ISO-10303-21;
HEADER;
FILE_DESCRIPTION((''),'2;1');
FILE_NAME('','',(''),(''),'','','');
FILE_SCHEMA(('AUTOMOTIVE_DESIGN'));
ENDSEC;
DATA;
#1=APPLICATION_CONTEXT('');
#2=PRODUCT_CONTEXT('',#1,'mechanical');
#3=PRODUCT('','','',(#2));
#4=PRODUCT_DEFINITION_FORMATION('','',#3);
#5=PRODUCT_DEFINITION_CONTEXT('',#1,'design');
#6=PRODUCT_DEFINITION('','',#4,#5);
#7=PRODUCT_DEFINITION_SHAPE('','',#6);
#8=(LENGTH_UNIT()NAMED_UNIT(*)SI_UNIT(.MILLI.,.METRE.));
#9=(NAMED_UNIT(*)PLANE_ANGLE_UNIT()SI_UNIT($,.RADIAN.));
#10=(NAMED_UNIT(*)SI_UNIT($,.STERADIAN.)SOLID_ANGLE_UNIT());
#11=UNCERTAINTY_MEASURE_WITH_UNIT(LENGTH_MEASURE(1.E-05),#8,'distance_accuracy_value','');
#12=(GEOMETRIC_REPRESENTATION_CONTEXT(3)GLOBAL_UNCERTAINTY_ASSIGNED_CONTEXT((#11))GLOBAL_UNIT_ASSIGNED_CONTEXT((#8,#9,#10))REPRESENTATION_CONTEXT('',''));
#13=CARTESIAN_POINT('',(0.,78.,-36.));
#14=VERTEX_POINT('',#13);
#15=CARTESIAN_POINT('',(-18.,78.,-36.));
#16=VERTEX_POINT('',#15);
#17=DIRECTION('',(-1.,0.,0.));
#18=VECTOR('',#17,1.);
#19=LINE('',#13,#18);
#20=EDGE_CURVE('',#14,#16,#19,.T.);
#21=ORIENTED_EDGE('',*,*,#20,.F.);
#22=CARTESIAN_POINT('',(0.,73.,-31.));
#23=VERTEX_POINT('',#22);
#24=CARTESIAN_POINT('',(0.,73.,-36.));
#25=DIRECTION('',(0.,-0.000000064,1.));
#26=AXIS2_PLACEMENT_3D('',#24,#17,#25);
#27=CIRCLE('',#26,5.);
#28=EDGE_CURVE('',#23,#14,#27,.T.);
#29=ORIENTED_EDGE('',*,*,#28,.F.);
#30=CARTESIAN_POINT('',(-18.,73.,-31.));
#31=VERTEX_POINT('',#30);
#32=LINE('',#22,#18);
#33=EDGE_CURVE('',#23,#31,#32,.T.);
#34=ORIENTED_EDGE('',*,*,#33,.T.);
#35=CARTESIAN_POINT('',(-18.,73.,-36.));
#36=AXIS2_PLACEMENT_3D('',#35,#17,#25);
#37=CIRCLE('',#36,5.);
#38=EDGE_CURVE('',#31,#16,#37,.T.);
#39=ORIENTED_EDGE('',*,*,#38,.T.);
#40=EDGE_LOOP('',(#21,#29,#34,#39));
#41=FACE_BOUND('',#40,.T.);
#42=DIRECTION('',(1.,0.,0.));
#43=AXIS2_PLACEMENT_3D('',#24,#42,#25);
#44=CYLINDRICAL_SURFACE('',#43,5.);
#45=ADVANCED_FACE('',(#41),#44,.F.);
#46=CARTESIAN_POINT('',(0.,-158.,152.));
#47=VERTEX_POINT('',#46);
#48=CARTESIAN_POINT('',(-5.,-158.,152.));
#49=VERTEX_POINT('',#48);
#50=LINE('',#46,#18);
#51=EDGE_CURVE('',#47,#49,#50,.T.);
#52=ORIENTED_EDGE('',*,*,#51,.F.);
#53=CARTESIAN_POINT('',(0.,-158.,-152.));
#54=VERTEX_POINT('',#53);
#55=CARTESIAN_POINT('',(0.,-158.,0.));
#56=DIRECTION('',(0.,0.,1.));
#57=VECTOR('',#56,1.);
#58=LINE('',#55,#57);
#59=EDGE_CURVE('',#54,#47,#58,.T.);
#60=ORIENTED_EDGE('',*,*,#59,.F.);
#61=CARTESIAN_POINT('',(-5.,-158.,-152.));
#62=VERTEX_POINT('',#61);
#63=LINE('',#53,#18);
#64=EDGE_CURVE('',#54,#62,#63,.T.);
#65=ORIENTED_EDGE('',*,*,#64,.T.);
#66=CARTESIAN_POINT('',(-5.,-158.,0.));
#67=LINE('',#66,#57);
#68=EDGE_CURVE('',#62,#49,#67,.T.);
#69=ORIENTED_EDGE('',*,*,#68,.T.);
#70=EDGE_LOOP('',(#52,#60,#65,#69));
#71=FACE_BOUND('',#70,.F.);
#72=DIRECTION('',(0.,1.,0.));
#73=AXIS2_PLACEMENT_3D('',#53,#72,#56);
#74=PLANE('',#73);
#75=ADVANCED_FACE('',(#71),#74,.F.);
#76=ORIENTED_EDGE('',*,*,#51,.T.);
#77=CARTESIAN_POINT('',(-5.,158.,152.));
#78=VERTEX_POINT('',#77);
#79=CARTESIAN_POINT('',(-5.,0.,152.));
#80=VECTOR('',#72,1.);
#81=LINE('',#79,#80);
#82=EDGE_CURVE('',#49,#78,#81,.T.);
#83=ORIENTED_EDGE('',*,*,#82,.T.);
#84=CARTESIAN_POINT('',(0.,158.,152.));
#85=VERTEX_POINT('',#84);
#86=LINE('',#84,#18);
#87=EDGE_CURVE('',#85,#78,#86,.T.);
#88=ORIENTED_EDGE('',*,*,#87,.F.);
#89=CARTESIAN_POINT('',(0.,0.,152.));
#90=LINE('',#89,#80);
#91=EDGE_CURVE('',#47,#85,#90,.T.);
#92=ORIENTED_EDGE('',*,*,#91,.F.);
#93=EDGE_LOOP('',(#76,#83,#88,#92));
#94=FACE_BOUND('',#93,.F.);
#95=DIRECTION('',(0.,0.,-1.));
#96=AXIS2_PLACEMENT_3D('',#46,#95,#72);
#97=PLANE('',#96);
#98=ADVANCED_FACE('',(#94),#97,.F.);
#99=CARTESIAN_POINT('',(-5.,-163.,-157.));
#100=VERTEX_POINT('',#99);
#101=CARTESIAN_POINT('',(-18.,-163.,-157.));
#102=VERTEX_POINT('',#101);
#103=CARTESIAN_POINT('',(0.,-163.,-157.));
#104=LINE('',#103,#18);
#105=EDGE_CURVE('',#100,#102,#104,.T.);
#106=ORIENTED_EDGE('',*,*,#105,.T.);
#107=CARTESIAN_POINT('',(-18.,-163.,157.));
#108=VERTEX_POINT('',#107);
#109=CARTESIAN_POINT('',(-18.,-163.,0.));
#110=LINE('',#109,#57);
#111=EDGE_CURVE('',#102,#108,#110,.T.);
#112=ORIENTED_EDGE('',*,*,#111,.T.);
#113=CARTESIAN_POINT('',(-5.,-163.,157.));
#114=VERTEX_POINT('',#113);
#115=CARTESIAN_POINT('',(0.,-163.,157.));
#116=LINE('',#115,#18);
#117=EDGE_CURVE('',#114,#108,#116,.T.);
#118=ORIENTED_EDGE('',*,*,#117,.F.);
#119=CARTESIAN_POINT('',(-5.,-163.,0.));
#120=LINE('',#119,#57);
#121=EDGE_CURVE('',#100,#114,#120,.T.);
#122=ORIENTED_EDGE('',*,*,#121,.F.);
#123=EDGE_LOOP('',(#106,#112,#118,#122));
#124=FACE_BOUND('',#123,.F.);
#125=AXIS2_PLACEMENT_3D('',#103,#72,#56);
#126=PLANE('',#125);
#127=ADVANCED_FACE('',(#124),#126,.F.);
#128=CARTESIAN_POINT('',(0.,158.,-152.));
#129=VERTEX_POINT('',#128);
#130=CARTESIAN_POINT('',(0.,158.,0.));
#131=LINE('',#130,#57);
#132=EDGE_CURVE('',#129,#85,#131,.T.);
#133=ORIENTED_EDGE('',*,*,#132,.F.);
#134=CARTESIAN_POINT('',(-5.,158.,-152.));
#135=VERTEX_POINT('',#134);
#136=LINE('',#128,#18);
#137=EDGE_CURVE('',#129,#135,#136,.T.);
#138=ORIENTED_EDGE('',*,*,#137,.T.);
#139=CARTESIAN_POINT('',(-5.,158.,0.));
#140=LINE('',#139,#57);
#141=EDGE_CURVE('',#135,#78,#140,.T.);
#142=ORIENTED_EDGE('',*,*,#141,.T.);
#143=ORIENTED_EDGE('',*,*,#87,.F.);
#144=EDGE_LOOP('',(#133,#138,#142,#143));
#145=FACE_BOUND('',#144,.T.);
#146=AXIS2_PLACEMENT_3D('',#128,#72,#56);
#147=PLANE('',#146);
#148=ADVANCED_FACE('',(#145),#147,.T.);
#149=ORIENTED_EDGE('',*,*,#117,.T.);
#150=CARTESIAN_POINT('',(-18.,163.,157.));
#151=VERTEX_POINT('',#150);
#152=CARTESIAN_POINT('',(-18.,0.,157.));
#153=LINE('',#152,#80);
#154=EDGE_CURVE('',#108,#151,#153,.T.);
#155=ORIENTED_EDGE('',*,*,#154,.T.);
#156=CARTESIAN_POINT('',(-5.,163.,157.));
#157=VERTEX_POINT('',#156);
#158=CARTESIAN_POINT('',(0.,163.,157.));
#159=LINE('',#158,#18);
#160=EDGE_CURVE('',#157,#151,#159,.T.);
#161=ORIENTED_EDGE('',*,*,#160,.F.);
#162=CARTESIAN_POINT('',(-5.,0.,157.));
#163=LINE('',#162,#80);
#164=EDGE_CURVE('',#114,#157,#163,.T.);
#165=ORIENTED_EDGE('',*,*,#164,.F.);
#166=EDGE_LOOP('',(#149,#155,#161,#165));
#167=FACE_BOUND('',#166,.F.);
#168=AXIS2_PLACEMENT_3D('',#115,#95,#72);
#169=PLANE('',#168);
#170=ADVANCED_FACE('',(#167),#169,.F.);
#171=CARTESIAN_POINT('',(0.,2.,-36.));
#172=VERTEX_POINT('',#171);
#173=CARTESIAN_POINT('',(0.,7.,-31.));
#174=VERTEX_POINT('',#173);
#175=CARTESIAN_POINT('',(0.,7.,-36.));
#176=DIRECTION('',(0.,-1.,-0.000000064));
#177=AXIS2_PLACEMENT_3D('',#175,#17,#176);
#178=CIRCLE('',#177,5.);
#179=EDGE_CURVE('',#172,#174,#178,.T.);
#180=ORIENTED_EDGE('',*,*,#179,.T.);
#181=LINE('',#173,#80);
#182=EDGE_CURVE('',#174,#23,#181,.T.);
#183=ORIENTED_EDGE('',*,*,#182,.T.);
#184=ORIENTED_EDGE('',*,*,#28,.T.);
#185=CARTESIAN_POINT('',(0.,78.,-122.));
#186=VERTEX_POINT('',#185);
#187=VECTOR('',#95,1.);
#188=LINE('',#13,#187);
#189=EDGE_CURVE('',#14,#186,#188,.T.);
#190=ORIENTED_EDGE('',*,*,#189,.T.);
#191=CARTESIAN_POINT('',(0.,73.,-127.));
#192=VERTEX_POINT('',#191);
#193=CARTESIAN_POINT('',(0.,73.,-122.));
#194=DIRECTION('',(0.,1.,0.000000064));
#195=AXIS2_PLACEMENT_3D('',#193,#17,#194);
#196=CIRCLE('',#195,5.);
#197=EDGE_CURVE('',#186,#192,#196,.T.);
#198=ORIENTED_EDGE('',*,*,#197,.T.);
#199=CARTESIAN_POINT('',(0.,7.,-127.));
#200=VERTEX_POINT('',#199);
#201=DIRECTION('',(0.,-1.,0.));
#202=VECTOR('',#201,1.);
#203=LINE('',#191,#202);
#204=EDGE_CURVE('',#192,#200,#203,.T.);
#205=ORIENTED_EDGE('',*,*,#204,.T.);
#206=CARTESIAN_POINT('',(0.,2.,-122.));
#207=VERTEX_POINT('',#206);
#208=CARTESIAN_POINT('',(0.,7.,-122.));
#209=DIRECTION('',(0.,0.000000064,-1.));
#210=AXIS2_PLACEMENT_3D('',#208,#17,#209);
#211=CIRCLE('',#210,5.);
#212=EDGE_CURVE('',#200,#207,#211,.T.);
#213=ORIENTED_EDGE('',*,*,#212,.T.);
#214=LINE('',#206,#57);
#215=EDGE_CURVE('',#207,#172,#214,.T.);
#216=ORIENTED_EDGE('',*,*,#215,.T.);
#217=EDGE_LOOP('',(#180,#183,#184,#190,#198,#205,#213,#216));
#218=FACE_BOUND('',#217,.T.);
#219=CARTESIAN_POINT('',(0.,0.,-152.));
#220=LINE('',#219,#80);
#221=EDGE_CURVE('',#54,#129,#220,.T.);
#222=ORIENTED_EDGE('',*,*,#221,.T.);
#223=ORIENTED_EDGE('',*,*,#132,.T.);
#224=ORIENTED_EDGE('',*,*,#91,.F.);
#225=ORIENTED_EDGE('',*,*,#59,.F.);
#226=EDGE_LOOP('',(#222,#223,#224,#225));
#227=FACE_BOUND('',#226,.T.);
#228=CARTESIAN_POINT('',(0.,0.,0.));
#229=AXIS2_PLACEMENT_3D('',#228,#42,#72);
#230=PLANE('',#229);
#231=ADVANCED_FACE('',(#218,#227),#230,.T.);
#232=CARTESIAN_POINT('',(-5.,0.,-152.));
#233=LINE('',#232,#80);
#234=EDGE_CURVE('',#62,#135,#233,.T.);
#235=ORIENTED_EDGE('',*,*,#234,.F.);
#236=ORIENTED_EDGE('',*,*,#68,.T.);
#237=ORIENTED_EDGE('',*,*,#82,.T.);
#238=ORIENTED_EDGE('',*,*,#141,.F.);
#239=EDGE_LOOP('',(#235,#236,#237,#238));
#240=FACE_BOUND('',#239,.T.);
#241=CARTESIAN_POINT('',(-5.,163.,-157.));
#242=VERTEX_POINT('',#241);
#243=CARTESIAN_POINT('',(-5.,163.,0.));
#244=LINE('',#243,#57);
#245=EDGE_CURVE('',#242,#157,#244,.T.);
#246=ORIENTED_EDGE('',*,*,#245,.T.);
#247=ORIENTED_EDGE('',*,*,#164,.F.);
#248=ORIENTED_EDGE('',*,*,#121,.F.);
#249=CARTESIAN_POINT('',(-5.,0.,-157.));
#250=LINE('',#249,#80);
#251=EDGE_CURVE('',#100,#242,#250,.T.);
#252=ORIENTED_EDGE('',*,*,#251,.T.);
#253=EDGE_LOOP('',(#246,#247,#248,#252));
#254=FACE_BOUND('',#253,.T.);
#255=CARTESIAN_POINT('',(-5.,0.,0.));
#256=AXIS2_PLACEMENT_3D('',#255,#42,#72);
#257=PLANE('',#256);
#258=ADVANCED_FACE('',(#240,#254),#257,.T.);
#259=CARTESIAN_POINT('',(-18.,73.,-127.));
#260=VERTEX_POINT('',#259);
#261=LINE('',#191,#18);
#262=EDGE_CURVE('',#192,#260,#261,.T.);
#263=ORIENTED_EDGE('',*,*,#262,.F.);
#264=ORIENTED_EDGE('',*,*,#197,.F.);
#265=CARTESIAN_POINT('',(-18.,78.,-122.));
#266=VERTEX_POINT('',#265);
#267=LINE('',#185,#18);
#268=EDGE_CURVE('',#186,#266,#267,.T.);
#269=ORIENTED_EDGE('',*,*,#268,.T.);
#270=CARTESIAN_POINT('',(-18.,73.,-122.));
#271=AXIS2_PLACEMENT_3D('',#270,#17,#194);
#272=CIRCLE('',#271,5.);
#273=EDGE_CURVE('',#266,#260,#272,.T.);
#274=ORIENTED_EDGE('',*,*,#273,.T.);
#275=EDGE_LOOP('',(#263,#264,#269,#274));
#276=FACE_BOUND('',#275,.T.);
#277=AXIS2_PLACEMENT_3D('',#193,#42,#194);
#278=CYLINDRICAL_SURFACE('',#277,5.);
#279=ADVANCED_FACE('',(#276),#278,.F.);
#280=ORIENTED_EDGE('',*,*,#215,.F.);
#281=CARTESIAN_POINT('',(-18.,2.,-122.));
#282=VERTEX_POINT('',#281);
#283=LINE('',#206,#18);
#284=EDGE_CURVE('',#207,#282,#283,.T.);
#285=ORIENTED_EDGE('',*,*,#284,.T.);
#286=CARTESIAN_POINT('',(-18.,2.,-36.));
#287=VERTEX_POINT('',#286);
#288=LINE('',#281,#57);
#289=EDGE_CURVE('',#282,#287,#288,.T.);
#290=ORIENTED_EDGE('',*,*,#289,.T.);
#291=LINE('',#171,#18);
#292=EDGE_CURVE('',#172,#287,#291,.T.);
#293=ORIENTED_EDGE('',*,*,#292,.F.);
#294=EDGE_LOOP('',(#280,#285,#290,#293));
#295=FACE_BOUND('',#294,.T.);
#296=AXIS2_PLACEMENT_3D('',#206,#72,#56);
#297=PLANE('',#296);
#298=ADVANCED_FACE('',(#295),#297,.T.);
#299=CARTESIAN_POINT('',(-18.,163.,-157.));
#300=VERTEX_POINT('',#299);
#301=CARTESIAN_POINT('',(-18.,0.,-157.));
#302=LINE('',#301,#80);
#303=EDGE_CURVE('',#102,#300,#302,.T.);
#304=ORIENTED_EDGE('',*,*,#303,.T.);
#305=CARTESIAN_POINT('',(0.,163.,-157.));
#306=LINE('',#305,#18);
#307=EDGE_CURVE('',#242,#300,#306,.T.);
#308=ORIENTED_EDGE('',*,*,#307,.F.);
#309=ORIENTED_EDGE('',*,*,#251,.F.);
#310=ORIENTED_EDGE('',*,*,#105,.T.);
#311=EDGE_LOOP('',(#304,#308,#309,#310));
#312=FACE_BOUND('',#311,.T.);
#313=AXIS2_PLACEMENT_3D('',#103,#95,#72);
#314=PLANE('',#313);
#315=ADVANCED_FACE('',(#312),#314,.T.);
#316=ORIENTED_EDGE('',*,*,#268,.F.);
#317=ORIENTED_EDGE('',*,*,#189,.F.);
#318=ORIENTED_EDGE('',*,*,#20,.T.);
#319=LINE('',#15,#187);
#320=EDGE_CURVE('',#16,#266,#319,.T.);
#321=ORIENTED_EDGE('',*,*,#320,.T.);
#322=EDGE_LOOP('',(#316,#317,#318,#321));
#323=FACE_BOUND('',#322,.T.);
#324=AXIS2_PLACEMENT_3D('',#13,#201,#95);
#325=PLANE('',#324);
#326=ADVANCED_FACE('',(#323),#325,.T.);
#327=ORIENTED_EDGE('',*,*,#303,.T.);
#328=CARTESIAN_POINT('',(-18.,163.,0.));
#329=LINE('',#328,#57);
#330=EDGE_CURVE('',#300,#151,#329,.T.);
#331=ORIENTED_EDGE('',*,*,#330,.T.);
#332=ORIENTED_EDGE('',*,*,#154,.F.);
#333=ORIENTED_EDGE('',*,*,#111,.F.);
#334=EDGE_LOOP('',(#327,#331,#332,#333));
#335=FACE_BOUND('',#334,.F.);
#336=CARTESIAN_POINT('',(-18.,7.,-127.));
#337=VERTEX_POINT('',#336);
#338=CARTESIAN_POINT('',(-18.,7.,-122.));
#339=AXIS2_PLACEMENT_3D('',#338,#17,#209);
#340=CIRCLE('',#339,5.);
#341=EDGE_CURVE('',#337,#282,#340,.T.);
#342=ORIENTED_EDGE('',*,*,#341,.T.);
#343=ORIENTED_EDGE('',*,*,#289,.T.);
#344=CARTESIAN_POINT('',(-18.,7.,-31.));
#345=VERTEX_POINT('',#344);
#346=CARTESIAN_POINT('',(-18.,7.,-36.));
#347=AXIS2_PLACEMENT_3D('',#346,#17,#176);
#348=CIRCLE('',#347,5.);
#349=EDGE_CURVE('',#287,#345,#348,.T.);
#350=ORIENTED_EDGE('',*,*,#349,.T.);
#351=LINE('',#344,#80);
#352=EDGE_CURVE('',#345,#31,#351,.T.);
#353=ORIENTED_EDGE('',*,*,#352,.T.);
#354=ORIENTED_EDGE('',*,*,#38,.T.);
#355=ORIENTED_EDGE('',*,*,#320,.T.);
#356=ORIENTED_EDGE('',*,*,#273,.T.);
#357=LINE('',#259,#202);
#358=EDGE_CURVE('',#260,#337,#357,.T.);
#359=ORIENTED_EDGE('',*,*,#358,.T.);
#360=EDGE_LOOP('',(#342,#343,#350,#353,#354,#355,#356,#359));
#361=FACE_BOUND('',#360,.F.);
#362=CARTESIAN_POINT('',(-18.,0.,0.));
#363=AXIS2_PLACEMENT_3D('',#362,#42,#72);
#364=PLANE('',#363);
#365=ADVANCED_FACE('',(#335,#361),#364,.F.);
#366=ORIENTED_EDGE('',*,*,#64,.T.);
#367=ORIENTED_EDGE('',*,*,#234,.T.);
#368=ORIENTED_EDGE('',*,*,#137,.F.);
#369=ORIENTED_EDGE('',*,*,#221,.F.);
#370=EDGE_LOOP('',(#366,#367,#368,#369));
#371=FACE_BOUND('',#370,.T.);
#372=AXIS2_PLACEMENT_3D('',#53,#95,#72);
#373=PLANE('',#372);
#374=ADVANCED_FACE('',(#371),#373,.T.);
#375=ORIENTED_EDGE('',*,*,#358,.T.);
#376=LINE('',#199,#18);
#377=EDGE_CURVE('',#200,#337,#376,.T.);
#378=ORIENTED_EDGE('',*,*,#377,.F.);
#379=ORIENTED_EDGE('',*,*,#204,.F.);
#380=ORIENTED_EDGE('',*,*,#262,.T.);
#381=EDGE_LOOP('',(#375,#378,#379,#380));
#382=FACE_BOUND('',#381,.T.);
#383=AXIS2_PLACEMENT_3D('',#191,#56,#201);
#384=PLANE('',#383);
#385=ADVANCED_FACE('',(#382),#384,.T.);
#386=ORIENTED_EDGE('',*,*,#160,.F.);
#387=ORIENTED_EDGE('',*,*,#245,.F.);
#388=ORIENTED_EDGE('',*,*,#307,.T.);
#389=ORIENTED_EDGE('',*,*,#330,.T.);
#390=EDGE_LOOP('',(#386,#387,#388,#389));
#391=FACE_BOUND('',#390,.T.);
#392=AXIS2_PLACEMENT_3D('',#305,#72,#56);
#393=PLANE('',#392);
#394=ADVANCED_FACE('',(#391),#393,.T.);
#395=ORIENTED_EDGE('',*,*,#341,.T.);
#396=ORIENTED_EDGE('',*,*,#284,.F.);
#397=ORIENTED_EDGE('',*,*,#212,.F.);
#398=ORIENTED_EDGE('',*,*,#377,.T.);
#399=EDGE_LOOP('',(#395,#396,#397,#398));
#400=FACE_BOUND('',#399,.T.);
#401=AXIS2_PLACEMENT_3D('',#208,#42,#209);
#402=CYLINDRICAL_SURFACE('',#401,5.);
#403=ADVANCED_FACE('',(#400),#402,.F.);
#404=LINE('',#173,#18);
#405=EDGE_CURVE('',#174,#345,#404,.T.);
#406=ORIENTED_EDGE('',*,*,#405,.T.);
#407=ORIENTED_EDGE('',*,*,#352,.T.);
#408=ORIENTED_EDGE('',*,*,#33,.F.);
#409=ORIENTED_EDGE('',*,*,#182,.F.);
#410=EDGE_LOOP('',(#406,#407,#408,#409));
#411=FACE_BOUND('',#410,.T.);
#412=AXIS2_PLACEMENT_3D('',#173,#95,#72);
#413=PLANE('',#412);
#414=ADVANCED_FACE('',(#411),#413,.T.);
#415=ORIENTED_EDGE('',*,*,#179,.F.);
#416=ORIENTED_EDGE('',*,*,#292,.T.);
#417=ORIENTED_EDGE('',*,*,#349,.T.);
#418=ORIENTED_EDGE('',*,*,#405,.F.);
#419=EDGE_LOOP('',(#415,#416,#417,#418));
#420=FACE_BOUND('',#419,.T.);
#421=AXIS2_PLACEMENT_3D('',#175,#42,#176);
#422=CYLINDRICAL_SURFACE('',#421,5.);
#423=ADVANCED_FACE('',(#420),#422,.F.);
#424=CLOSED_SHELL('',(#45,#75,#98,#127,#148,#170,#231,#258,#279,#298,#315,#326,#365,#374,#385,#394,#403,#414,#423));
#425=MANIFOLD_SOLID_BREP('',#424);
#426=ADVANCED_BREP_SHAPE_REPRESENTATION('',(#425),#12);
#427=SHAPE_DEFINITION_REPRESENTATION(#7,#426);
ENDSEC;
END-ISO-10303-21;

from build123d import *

# Parameters (mm, degrees)
F0_W     = 326
F0_H     = 314
F1_DEPTH = 18
F2_W     = 326
F2_H     = 314
F2_W_2   = 316
F2_H_2   = 304
F3_DEPTH = 5


with BuildPart() as f1:
    # F0 (on Right) → F1 (new body)
    with BuildSketch(Plane.YZ):
        Rectangle(F0_W, F0_H)
        with BuildLine():
            ThreePointArc((2, -36), (3.464466, -32.464466), (7, -31))
            Line((7, -31), (73, -31))
            ThreePointArc((73, -31), (76.535534, -32.464466), (78, -36))
            Line((78, -36), (78, -122))
            ThreePointArc((78, -122), (76.535534, -125.535534), (73, -127))
            Line((73, -127), (7, -127))
            ThreePointArc((7, -127), (3.464466, -125.535534), (2, -122))
            Line((2, -122), (2, -36))
        make_face(mode=Mode.SUBTRACT)
    extrude(amount=-F1_DEPTH)

    # F2 (on face) → F3 (cut)
    with BuildSketch(Plane.YZ):
        Rectangle(F2_W, F2_H)
        Rectangle(F2_W_2, F2_H_2, mode=Mode.SUBTRACT)
    extrude(amount=-F3_DEPTH, mode=Mode.SUBTRACT)


solid = f1.part
